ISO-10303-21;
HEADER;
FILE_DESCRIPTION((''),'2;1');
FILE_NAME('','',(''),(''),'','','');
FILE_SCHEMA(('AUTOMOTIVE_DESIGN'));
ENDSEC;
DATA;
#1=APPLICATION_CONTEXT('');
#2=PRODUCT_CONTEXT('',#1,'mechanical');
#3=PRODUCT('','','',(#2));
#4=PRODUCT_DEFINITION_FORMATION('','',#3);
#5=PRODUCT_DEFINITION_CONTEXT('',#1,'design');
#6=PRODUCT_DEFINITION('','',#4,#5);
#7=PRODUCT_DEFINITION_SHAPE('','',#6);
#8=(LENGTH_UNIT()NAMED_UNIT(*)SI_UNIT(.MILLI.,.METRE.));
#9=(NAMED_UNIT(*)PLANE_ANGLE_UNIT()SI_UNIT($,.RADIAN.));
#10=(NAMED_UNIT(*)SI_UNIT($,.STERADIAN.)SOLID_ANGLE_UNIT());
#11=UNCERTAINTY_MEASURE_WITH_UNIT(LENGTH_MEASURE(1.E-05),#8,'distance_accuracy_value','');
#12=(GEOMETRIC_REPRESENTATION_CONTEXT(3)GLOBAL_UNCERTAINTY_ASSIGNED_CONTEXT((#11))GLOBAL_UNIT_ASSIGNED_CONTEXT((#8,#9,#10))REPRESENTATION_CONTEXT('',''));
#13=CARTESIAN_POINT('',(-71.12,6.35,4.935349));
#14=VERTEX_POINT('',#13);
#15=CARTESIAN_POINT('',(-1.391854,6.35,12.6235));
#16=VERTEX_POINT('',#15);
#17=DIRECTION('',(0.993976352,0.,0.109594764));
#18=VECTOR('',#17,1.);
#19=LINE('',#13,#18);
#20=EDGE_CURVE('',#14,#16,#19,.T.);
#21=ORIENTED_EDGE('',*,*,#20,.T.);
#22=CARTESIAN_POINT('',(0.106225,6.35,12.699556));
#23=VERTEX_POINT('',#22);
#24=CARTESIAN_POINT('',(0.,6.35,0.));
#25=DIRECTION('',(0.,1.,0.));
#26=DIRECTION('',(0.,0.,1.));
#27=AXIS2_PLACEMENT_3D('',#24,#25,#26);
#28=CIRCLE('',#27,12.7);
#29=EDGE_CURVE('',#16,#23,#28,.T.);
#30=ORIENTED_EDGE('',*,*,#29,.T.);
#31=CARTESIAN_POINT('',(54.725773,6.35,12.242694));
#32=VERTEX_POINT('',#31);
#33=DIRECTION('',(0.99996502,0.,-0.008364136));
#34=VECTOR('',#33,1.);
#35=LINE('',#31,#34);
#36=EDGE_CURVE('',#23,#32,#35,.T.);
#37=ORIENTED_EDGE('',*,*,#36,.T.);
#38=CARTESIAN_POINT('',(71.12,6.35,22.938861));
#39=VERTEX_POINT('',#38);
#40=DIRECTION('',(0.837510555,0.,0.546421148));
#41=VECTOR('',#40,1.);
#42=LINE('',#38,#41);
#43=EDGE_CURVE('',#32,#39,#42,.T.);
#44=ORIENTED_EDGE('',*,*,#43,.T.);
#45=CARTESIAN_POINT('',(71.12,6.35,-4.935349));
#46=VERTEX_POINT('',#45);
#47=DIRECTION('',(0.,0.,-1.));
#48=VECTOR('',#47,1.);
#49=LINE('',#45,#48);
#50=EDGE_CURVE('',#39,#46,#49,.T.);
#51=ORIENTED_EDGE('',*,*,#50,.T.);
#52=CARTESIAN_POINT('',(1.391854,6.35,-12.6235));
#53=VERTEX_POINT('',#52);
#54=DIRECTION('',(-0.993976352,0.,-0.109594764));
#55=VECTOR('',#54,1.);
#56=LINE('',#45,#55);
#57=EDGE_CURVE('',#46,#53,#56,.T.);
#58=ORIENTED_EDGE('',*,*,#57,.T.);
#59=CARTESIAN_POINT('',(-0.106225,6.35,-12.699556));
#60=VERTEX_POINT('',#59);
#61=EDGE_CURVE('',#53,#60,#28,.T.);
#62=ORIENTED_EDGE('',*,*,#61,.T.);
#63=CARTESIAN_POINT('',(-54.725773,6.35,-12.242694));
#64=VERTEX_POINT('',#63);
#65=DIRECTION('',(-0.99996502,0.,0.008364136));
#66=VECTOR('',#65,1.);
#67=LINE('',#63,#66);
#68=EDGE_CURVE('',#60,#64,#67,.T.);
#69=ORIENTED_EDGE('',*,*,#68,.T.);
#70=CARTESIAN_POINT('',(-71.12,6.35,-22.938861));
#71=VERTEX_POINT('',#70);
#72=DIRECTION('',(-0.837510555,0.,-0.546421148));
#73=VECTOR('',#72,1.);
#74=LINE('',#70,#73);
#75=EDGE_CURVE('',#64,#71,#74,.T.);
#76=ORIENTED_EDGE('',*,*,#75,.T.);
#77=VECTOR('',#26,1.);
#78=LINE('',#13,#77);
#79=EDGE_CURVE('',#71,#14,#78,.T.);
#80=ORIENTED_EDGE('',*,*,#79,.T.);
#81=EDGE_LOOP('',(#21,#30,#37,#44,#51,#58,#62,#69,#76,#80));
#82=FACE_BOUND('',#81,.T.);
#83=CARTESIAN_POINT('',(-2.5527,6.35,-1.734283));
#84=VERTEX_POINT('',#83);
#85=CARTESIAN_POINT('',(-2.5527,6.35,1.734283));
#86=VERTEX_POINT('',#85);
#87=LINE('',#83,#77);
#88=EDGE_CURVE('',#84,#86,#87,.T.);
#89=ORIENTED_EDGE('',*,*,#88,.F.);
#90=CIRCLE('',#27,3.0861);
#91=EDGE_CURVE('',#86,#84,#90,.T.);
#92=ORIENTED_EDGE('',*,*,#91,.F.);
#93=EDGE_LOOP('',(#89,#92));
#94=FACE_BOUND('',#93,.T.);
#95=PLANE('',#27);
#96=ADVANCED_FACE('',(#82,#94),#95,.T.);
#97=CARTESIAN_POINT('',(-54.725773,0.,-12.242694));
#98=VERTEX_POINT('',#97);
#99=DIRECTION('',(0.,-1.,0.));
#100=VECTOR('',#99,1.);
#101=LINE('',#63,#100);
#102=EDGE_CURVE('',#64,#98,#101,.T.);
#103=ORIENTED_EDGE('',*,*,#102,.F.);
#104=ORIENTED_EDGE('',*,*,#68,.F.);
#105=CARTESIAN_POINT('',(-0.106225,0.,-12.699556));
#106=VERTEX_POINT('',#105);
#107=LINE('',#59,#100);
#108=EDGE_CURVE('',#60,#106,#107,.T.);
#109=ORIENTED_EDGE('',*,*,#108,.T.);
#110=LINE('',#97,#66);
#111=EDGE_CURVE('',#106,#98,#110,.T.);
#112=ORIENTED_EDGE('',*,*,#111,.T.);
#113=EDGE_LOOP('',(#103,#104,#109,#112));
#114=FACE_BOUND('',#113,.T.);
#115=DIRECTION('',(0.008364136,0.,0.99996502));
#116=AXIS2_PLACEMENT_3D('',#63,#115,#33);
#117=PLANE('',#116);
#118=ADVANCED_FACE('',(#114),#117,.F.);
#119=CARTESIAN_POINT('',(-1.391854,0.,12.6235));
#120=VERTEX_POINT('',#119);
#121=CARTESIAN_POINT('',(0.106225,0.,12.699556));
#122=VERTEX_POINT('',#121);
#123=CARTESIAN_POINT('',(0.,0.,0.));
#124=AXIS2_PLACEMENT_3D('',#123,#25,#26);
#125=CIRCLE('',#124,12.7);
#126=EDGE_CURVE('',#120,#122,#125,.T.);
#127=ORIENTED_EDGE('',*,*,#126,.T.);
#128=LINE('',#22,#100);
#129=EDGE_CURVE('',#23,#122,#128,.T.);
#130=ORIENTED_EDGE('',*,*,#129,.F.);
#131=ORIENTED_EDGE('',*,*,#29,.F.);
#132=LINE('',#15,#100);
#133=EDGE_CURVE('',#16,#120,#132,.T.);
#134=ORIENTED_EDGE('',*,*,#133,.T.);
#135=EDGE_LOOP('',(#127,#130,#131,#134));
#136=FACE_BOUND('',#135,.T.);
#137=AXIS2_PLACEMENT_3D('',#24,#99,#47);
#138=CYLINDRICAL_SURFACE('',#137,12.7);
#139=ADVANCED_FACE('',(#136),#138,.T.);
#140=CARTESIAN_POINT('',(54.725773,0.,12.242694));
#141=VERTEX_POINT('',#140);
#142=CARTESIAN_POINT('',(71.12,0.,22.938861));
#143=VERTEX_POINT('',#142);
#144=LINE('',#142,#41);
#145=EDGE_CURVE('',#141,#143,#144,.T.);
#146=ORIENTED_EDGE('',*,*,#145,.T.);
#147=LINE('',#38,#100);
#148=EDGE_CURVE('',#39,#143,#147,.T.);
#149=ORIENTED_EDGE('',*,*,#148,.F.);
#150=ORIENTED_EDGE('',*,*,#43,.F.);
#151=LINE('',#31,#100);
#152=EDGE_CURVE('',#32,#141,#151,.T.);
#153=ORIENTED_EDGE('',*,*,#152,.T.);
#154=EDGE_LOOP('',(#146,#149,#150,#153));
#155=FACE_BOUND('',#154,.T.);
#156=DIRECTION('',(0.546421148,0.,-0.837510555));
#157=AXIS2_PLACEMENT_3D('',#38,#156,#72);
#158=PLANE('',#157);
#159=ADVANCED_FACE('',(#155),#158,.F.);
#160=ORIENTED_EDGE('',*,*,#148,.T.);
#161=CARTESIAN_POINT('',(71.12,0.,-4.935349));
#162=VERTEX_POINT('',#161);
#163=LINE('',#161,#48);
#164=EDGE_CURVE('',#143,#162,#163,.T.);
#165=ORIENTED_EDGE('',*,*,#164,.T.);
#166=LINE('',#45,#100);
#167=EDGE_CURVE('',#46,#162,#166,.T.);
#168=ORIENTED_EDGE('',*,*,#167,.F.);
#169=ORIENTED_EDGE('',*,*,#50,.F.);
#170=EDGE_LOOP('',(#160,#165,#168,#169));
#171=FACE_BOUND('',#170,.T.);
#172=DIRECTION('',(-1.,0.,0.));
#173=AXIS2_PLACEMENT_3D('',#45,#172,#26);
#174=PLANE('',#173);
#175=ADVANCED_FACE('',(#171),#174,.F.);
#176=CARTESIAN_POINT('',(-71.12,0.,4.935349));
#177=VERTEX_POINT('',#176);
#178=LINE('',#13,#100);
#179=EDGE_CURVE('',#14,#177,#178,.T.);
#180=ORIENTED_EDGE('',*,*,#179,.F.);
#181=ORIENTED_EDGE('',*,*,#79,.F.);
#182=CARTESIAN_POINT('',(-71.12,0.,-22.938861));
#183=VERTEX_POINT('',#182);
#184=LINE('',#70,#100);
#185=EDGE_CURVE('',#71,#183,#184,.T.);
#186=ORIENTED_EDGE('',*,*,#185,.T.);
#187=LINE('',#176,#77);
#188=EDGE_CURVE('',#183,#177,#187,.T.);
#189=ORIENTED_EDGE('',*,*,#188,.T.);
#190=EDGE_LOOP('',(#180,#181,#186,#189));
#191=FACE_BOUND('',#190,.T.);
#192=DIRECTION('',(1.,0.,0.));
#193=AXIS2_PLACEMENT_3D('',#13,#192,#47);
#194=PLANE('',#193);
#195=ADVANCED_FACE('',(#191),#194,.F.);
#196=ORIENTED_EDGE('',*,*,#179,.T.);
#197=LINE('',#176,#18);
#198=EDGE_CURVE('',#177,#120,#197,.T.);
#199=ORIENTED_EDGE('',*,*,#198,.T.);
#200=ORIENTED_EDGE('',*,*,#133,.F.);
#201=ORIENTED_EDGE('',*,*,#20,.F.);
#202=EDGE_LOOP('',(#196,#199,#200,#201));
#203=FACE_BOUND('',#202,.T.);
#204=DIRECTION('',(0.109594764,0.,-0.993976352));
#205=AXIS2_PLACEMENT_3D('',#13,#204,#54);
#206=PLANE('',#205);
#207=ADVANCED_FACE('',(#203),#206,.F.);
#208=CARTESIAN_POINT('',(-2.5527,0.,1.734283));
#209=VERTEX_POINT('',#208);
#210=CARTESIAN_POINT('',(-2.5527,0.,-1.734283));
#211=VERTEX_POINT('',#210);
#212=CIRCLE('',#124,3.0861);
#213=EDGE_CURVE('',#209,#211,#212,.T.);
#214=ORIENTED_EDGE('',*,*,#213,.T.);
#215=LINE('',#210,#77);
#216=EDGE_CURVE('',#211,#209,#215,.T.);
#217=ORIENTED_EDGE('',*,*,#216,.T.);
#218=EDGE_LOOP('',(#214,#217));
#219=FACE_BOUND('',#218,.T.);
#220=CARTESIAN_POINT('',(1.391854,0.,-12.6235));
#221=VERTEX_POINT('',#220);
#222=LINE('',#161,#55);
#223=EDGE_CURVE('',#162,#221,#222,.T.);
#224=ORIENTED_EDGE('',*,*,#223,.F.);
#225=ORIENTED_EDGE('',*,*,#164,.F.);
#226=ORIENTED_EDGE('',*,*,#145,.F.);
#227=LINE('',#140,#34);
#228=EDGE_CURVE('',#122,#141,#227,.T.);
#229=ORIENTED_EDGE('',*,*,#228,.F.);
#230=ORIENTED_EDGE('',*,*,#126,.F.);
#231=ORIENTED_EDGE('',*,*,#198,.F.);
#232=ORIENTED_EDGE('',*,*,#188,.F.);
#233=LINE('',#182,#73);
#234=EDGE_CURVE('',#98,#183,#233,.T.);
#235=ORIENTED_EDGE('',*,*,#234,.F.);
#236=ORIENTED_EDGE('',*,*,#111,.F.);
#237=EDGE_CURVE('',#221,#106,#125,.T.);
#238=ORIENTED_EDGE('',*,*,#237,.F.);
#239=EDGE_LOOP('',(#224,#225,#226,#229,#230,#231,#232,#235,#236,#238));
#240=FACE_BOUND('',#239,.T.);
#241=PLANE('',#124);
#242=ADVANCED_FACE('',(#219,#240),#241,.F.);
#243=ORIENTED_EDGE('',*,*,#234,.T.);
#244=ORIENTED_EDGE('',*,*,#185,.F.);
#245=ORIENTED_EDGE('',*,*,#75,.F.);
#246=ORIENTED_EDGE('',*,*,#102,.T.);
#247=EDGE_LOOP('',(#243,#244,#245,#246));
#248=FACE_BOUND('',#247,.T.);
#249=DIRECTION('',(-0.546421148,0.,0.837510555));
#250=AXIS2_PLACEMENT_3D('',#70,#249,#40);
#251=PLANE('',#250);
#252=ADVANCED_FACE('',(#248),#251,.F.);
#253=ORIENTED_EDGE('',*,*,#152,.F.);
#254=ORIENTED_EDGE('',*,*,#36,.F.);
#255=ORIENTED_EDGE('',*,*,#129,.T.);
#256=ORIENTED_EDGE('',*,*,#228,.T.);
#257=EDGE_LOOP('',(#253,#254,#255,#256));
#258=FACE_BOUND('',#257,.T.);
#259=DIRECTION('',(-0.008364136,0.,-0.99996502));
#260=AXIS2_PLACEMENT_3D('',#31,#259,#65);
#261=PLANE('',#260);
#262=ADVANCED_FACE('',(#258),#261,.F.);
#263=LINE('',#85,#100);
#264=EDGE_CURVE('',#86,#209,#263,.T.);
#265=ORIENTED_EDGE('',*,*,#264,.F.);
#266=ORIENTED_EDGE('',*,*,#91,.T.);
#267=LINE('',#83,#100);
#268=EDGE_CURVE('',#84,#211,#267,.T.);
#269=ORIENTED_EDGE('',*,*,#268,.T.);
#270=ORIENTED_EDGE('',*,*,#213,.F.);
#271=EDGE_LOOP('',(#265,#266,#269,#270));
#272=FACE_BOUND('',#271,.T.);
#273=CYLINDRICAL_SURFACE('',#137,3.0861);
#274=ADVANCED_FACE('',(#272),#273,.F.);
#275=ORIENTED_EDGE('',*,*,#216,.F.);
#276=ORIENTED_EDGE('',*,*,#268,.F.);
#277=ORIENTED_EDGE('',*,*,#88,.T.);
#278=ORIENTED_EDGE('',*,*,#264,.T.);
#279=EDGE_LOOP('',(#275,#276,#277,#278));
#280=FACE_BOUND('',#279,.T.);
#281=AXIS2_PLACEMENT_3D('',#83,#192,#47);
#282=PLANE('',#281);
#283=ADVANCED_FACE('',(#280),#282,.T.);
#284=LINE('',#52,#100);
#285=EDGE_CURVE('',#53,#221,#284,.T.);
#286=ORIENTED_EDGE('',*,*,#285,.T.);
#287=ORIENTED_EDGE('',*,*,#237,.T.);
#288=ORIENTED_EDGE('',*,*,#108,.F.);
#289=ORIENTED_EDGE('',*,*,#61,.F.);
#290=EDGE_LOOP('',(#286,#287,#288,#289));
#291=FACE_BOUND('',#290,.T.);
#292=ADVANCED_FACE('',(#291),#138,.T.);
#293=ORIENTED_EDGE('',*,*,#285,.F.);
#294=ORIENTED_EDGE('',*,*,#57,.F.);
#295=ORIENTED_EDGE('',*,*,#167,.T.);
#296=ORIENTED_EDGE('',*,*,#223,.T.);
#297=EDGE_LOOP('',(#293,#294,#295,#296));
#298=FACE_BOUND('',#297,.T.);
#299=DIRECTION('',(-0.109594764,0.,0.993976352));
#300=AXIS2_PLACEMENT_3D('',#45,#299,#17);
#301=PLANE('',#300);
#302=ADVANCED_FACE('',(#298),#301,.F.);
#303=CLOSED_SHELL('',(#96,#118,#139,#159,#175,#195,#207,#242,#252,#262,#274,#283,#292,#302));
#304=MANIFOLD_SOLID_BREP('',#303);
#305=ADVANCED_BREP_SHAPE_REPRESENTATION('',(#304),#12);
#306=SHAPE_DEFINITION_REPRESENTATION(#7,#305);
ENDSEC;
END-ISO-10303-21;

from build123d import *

# Parameters (mm, degrees)
BOSS_EXTRUDE1_DEPTH = 6.35


with BuildPart() as part:
    # Sketch1 → Boss-Extrude1 (new body)
    with BuildSketch(Plane(origin=(0, 0, 0), x_dir=(1, 0, 0), z_dir=(0, 1, 0))):
        with BuildLine():
            Line((71.12, 4.935349186), (71.12, -22.938860698))
            Line((71.12, -22.938860698), (54.725773369, -12.242694437))
            Line((54.725773369, -12.242694437), (0.106224527, -12.699555754))
            ThreePointArc((0.106224527, -12.699555754), (-0.64393835, -12.683664431), (-1.391853504, -12.623499666))
            Line((-1.391853504, -12.623499666), (-71.12, -4.935349186))
            Line((-71.12, -4.935349186), (-71.12, 22.938860698))
            Line((-71.12, 22.938860698), (-54.725773369, 12.242694437))
            Line((-54.725773369, 12.242694437), (-0.106224527, 12.699555754))
            ThreePointArc((-0.106224527, 12.699555754), (0.64393835, 12.683664431), (1.391853504, 12.623499666))
            Line((1.391853504, 12.623499666), (71.12, 4.935349186))
        make_face()
        with BuildLine():
            Line((-2.5527, 1.734282538), (-2.5527, -1.734282538))
            ThreePointArc((-2.5527, -1.734282538), (3.0861, 0), (-2.5527, 1.734282538))
        make_face(mode=Mode.SUBTRACT)
    extrude(amount=BOSS_EXTRUDE1_DEPTH)


solid = part.part
